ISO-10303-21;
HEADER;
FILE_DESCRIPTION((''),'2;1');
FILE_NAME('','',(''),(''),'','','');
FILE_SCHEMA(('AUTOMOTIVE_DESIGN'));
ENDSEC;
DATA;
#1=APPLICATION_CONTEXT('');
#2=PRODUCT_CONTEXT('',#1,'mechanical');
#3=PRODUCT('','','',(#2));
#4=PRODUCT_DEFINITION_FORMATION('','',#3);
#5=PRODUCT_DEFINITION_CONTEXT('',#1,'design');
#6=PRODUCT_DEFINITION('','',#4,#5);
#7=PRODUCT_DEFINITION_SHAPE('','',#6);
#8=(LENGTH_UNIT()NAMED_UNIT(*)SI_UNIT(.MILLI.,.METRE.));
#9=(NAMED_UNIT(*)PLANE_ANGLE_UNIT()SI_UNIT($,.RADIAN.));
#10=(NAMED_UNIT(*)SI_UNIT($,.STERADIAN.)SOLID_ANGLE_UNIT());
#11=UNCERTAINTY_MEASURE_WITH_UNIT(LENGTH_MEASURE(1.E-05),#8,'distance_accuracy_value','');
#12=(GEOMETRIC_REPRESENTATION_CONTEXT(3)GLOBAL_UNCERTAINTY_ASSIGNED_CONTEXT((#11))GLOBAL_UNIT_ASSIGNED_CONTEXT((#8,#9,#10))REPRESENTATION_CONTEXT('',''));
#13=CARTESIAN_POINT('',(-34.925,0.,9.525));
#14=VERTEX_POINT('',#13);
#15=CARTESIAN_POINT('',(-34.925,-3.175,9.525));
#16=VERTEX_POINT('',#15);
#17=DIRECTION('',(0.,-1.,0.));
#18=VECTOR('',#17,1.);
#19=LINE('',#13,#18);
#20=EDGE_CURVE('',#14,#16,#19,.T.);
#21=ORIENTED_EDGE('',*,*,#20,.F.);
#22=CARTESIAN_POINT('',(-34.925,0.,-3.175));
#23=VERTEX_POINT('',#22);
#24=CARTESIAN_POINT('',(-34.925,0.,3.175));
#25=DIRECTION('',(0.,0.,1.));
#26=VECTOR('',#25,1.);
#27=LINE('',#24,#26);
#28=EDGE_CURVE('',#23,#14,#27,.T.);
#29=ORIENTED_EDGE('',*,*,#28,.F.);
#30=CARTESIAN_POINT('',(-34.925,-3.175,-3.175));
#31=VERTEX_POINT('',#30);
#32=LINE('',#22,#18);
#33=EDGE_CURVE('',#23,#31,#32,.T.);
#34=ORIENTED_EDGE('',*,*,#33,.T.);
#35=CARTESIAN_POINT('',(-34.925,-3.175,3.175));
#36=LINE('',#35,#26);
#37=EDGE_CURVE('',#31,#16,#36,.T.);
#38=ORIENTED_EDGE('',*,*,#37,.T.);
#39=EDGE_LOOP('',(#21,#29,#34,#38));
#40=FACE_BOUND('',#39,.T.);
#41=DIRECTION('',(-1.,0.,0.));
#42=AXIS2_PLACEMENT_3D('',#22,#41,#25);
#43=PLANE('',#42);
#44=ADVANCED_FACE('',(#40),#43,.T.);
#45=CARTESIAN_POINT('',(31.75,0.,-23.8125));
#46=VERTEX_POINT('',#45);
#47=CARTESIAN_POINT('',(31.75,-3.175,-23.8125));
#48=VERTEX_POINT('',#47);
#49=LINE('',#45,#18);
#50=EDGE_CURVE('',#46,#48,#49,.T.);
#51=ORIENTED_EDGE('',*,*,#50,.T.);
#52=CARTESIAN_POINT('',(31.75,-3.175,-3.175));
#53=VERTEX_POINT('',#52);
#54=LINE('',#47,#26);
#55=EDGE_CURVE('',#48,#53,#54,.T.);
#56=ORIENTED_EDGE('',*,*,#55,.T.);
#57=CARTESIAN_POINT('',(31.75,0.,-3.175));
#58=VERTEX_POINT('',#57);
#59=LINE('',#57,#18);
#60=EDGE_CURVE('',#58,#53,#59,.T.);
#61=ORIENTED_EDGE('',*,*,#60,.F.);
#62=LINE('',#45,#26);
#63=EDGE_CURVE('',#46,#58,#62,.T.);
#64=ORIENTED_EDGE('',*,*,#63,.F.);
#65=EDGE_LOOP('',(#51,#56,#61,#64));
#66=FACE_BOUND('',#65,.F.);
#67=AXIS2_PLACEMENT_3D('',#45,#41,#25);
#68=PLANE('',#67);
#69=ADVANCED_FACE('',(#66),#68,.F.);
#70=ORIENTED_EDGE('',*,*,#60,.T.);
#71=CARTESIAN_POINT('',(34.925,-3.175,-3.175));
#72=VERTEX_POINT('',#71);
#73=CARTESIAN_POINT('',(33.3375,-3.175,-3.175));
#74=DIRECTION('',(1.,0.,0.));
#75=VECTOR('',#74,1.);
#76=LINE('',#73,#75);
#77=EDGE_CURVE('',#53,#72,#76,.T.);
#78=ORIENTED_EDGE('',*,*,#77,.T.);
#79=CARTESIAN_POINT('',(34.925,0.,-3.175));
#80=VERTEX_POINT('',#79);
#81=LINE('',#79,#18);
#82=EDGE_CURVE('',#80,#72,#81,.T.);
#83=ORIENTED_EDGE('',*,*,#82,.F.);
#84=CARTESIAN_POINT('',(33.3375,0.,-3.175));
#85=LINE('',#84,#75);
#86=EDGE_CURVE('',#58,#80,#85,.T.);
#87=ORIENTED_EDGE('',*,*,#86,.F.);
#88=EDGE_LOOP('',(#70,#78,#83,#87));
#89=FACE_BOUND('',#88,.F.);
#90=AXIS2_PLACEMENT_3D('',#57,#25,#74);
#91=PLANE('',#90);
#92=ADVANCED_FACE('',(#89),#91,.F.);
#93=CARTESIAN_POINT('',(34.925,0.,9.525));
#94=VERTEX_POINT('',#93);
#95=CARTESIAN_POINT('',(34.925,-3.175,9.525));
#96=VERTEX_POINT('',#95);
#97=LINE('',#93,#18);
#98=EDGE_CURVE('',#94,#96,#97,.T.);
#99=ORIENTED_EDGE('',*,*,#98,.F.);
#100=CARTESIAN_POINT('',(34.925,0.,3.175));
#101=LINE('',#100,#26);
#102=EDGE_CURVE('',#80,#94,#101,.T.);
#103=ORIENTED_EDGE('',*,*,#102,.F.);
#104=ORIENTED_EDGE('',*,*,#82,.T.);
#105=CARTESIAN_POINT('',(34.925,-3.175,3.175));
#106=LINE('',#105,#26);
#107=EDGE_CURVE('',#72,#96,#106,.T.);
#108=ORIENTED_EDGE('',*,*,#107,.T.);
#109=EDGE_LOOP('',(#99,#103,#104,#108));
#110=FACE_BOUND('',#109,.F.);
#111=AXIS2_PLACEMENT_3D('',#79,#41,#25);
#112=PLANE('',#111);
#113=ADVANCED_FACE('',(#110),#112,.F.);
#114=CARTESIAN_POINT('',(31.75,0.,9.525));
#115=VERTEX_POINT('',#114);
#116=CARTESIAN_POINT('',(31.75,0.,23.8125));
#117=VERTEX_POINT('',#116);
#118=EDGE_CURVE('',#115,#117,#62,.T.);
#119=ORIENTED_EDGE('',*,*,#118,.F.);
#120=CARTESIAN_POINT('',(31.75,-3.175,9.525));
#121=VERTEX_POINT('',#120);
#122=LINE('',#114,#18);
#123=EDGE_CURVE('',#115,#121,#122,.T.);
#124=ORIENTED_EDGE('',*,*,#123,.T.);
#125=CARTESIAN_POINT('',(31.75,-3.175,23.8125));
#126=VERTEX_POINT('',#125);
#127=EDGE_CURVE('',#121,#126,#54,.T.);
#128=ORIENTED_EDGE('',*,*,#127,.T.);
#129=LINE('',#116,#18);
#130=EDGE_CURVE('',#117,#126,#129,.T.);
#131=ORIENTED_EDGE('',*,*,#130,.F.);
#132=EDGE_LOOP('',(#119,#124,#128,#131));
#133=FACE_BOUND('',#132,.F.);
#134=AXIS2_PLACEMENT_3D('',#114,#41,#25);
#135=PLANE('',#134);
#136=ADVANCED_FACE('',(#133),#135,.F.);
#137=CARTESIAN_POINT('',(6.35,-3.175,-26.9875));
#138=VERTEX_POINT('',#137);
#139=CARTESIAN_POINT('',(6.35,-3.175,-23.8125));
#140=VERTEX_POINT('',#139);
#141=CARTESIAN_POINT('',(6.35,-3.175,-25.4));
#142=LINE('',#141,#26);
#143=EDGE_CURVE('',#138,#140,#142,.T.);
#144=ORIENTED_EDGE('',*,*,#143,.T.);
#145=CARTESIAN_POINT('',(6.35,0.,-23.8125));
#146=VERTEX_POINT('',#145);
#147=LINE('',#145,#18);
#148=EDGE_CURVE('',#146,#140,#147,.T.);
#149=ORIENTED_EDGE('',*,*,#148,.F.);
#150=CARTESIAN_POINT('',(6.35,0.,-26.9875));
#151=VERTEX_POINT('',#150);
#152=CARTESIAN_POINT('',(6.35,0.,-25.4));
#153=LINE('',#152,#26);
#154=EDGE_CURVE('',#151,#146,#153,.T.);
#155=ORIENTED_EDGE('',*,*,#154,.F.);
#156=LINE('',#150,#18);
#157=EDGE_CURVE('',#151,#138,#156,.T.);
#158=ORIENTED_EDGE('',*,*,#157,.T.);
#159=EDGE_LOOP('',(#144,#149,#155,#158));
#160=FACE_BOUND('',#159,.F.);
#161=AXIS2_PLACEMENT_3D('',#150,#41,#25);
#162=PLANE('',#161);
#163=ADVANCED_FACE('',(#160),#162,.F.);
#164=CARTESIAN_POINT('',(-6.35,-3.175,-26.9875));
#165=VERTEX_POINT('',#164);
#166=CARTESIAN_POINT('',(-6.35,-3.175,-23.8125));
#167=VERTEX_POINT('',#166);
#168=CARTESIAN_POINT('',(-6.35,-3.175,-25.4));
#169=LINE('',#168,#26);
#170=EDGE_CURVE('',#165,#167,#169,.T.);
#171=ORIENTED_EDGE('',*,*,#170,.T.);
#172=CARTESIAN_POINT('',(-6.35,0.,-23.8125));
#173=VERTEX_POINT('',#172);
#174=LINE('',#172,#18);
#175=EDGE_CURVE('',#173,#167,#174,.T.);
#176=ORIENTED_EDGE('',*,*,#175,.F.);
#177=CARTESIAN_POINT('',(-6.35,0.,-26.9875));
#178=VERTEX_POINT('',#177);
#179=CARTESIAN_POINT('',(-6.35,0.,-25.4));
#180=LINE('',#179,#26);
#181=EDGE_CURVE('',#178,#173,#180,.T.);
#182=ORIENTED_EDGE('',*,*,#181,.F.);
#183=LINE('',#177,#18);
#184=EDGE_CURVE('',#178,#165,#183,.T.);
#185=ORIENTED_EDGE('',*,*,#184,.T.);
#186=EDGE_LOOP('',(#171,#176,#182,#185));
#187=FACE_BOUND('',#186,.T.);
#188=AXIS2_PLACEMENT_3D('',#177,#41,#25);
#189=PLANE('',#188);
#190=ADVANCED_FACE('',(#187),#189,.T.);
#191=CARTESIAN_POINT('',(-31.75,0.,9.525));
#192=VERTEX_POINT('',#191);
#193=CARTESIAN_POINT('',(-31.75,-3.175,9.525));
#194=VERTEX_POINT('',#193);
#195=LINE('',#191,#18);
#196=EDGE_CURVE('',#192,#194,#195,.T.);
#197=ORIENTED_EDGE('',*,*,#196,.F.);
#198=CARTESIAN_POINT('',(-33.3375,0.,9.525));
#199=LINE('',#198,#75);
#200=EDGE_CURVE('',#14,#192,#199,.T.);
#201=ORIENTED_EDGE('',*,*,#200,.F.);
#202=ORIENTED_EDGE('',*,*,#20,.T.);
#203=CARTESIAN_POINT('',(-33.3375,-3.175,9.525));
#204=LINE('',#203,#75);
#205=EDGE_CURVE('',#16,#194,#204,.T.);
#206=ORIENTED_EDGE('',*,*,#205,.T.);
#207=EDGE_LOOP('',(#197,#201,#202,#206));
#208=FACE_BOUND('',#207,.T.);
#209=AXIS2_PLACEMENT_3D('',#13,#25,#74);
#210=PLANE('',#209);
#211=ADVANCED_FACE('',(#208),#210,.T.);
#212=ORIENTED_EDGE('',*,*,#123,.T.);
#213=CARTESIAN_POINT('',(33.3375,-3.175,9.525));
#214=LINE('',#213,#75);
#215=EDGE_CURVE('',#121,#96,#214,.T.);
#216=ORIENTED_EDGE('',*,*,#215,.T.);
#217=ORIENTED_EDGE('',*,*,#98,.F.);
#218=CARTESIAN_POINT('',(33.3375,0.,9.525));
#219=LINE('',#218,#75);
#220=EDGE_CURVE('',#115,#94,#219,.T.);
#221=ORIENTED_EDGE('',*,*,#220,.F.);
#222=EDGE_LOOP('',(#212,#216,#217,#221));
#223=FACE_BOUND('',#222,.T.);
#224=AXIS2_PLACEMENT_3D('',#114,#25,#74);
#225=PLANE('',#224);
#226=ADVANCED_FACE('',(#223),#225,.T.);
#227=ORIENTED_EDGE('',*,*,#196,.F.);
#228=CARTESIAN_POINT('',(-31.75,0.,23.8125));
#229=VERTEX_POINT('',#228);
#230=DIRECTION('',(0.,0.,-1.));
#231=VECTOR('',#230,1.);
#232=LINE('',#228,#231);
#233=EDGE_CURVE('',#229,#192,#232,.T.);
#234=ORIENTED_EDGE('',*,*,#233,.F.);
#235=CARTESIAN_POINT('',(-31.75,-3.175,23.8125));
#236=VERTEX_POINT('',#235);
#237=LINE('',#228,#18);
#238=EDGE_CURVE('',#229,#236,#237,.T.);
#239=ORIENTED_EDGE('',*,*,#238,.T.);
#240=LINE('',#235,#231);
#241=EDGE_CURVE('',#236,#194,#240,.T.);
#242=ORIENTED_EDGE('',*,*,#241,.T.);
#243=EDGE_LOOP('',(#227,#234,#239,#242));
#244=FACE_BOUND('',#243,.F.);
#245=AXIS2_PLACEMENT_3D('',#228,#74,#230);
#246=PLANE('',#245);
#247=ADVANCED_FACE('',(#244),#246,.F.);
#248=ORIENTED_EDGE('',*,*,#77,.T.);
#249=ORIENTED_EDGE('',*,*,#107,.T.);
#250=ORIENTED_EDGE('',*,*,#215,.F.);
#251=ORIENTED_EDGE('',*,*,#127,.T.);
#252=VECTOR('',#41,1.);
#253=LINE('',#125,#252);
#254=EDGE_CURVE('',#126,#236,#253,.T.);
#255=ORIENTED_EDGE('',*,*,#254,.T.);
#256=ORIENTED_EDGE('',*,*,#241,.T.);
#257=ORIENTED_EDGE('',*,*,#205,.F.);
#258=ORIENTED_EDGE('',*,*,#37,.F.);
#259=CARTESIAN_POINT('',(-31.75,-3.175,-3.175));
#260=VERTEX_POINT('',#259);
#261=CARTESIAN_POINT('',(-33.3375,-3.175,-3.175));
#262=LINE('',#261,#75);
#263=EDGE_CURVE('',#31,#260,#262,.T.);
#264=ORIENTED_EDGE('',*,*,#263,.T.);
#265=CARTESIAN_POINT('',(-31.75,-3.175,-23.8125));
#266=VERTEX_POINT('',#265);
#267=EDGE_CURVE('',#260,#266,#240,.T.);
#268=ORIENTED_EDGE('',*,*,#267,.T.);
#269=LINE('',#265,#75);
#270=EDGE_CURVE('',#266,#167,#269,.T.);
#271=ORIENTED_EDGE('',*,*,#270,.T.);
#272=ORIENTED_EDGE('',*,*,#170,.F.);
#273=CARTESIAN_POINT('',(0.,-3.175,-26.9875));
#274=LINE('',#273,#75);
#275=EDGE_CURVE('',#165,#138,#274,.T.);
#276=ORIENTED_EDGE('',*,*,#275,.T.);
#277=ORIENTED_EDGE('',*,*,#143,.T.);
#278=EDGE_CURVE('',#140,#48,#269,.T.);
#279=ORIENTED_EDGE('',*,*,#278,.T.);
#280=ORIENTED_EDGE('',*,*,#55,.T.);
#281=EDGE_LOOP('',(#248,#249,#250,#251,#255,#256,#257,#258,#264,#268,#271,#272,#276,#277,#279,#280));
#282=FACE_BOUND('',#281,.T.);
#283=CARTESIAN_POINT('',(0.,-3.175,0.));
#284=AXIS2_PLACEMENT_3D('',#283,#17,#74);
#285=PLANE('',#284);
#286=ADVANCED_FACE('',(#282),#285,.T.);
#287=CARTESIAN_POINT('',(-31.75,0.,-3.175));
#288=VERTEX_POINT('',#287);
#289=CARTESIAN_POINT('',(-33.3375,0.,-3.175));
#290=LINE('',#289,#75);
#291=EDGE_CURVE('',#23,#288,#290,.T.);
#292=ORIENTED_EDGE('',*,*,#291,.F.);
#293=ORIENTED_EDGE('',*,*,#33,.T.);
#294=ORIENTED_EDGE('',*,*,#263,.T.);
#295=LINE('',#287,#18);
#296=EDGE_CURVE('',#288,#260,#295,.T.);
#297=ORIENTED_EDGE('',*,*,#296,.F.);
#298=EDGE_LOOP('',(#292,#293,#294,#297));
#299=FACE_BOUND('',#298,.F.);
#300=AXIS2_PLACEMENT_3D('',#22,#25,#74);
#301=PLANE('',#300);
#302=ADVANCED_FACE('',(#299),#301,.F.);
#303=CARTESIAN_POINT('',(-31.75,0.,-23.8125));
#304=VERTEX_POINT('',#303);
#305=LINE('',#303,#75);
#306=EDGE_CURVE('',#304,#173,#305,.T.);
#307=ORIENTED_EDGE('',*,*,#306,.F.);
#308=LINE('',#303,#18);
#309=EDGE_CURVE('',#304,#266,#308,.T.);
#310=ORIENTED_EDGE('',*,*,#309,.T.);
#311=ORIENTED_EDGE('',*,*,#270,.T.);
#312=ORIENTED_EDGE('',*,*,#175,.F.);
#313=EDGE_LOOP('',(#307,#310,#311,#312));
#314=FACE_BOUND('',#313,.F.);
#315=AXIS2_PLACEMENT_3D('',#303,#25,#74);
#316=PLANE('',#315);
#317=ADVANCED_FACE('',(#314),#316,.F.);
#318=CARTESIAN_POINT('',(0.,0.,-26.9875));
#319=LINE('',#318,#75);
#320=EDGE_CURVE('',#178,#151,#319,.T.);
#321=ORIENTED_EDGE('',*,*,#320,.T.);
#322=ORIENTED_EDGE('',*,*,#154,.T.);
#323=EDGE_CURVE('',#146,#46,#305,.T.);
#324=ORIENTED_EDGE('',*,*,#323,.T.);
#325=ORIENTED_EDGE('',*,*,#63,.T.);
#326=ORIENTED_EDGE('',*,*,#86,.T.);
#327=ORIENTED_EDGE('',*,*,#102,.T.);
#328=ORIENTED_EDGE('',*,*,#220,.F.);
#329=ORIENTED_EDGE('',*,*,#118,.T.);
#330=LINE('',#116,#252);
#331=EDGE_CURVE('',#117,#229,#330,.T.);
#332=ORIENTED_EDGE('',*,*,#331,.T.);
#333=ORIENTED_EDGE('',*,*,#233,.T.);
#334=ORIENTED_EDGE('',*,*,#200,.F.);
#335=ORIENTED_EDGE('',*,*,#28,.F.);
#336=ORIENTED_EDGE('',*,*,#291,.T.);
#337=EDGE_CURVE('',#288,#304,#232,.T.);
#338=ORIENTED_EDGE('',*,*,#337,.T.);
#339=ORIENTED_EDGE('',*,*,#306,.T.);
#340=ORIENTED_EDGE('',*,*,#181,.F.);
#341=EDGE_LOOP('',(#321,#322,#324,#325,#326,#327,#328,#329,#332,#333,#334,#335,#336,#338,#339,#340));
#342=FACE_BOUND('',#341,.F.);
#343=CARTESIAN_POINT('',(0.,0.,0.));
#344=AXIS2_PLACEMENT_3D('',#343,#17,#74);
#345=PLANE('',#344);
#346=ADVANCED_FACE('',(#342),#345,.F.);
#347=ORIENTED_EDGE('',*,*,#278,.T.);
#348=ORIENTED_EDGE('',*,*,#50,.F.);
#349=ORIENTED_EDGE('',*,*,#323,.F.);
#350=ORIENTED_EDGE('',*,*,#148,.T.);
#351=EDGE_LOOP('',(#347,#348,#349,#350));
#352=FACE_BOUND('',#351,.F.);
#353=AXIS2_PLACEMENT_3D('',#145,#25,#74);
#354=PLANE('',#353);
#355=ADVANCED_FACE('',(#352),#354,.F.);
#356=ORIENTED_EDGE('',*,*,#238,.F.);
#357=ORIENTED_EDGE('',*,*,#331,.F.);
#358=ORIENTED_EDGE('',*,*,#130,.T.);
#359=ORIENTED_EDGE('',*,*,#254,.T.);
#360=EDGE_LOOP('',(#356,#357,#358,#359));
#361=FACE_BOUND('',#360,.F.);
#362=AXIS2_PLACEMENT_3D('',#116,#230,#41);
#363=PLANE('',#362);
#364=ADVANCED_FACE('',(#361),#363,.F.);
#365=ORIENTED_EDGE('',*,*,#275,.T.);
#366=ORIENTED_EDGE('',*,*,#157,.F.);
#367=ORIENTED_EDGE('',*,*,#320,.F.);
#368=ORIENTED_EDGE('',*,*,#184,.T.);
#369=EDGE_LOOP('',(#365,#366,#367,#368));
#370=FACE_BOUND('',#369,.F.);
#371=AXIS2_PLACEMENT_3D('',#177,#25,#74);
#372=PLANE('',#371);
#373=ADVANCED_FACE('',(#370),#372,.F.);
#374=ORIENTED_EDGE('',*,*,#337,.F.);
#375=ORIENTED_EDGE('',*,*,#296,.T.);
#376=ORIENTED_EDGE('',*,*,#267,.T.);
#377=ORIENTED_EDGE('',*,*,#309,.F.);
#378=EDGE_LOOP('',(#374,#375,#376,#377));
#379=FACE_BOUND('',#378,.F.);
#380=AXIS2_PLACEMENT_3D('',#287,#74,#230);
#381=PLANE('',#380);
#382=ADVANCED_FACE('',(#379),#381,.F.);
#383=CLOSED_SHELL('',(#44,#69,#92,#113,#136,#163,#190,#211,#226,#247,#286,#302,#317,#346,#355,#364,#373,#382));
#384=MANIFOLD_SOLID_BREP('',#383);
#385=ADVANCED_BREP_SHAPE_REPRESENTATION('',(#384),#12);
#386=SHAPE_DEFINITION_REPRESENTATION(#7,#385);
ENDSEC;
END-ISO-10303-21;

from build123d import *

# Parameters (mm, degrees)
F0_W     = 3.175
F0_H     = 12.7
F0_W_2   = 12.7
F0_H_2   = 3.175
F1_DEPTH = 3.175


with BuildPart() as f1:
    # F0 (on Front) → F1 (new body)
    with BuildSketch(Plane.XZ):
        Polygon((6.35, -23.8125), (31.75, -23.8125), (31.75, -3.175), (31.75, 9.525), (31.75, 23.8125), (-31.75, 23.8125), (-31.75, 9.525), (-31.75, -3.175), (-31.75, -23.8125), (-6.35, -23.8125), align=None)
        with Locations((-33.3375, 3.175)):
            Rectangle(F0_W, F0_H)
        with Locations((0, -25.4)):
            Rectangle(F0_W_2, F0_H_2)
        with Locations((33.3375, 3.175)):
            Rectangle(F0_W, F0_H)
    extrude(amount=F1_DEPTH)


solid = f1.part
